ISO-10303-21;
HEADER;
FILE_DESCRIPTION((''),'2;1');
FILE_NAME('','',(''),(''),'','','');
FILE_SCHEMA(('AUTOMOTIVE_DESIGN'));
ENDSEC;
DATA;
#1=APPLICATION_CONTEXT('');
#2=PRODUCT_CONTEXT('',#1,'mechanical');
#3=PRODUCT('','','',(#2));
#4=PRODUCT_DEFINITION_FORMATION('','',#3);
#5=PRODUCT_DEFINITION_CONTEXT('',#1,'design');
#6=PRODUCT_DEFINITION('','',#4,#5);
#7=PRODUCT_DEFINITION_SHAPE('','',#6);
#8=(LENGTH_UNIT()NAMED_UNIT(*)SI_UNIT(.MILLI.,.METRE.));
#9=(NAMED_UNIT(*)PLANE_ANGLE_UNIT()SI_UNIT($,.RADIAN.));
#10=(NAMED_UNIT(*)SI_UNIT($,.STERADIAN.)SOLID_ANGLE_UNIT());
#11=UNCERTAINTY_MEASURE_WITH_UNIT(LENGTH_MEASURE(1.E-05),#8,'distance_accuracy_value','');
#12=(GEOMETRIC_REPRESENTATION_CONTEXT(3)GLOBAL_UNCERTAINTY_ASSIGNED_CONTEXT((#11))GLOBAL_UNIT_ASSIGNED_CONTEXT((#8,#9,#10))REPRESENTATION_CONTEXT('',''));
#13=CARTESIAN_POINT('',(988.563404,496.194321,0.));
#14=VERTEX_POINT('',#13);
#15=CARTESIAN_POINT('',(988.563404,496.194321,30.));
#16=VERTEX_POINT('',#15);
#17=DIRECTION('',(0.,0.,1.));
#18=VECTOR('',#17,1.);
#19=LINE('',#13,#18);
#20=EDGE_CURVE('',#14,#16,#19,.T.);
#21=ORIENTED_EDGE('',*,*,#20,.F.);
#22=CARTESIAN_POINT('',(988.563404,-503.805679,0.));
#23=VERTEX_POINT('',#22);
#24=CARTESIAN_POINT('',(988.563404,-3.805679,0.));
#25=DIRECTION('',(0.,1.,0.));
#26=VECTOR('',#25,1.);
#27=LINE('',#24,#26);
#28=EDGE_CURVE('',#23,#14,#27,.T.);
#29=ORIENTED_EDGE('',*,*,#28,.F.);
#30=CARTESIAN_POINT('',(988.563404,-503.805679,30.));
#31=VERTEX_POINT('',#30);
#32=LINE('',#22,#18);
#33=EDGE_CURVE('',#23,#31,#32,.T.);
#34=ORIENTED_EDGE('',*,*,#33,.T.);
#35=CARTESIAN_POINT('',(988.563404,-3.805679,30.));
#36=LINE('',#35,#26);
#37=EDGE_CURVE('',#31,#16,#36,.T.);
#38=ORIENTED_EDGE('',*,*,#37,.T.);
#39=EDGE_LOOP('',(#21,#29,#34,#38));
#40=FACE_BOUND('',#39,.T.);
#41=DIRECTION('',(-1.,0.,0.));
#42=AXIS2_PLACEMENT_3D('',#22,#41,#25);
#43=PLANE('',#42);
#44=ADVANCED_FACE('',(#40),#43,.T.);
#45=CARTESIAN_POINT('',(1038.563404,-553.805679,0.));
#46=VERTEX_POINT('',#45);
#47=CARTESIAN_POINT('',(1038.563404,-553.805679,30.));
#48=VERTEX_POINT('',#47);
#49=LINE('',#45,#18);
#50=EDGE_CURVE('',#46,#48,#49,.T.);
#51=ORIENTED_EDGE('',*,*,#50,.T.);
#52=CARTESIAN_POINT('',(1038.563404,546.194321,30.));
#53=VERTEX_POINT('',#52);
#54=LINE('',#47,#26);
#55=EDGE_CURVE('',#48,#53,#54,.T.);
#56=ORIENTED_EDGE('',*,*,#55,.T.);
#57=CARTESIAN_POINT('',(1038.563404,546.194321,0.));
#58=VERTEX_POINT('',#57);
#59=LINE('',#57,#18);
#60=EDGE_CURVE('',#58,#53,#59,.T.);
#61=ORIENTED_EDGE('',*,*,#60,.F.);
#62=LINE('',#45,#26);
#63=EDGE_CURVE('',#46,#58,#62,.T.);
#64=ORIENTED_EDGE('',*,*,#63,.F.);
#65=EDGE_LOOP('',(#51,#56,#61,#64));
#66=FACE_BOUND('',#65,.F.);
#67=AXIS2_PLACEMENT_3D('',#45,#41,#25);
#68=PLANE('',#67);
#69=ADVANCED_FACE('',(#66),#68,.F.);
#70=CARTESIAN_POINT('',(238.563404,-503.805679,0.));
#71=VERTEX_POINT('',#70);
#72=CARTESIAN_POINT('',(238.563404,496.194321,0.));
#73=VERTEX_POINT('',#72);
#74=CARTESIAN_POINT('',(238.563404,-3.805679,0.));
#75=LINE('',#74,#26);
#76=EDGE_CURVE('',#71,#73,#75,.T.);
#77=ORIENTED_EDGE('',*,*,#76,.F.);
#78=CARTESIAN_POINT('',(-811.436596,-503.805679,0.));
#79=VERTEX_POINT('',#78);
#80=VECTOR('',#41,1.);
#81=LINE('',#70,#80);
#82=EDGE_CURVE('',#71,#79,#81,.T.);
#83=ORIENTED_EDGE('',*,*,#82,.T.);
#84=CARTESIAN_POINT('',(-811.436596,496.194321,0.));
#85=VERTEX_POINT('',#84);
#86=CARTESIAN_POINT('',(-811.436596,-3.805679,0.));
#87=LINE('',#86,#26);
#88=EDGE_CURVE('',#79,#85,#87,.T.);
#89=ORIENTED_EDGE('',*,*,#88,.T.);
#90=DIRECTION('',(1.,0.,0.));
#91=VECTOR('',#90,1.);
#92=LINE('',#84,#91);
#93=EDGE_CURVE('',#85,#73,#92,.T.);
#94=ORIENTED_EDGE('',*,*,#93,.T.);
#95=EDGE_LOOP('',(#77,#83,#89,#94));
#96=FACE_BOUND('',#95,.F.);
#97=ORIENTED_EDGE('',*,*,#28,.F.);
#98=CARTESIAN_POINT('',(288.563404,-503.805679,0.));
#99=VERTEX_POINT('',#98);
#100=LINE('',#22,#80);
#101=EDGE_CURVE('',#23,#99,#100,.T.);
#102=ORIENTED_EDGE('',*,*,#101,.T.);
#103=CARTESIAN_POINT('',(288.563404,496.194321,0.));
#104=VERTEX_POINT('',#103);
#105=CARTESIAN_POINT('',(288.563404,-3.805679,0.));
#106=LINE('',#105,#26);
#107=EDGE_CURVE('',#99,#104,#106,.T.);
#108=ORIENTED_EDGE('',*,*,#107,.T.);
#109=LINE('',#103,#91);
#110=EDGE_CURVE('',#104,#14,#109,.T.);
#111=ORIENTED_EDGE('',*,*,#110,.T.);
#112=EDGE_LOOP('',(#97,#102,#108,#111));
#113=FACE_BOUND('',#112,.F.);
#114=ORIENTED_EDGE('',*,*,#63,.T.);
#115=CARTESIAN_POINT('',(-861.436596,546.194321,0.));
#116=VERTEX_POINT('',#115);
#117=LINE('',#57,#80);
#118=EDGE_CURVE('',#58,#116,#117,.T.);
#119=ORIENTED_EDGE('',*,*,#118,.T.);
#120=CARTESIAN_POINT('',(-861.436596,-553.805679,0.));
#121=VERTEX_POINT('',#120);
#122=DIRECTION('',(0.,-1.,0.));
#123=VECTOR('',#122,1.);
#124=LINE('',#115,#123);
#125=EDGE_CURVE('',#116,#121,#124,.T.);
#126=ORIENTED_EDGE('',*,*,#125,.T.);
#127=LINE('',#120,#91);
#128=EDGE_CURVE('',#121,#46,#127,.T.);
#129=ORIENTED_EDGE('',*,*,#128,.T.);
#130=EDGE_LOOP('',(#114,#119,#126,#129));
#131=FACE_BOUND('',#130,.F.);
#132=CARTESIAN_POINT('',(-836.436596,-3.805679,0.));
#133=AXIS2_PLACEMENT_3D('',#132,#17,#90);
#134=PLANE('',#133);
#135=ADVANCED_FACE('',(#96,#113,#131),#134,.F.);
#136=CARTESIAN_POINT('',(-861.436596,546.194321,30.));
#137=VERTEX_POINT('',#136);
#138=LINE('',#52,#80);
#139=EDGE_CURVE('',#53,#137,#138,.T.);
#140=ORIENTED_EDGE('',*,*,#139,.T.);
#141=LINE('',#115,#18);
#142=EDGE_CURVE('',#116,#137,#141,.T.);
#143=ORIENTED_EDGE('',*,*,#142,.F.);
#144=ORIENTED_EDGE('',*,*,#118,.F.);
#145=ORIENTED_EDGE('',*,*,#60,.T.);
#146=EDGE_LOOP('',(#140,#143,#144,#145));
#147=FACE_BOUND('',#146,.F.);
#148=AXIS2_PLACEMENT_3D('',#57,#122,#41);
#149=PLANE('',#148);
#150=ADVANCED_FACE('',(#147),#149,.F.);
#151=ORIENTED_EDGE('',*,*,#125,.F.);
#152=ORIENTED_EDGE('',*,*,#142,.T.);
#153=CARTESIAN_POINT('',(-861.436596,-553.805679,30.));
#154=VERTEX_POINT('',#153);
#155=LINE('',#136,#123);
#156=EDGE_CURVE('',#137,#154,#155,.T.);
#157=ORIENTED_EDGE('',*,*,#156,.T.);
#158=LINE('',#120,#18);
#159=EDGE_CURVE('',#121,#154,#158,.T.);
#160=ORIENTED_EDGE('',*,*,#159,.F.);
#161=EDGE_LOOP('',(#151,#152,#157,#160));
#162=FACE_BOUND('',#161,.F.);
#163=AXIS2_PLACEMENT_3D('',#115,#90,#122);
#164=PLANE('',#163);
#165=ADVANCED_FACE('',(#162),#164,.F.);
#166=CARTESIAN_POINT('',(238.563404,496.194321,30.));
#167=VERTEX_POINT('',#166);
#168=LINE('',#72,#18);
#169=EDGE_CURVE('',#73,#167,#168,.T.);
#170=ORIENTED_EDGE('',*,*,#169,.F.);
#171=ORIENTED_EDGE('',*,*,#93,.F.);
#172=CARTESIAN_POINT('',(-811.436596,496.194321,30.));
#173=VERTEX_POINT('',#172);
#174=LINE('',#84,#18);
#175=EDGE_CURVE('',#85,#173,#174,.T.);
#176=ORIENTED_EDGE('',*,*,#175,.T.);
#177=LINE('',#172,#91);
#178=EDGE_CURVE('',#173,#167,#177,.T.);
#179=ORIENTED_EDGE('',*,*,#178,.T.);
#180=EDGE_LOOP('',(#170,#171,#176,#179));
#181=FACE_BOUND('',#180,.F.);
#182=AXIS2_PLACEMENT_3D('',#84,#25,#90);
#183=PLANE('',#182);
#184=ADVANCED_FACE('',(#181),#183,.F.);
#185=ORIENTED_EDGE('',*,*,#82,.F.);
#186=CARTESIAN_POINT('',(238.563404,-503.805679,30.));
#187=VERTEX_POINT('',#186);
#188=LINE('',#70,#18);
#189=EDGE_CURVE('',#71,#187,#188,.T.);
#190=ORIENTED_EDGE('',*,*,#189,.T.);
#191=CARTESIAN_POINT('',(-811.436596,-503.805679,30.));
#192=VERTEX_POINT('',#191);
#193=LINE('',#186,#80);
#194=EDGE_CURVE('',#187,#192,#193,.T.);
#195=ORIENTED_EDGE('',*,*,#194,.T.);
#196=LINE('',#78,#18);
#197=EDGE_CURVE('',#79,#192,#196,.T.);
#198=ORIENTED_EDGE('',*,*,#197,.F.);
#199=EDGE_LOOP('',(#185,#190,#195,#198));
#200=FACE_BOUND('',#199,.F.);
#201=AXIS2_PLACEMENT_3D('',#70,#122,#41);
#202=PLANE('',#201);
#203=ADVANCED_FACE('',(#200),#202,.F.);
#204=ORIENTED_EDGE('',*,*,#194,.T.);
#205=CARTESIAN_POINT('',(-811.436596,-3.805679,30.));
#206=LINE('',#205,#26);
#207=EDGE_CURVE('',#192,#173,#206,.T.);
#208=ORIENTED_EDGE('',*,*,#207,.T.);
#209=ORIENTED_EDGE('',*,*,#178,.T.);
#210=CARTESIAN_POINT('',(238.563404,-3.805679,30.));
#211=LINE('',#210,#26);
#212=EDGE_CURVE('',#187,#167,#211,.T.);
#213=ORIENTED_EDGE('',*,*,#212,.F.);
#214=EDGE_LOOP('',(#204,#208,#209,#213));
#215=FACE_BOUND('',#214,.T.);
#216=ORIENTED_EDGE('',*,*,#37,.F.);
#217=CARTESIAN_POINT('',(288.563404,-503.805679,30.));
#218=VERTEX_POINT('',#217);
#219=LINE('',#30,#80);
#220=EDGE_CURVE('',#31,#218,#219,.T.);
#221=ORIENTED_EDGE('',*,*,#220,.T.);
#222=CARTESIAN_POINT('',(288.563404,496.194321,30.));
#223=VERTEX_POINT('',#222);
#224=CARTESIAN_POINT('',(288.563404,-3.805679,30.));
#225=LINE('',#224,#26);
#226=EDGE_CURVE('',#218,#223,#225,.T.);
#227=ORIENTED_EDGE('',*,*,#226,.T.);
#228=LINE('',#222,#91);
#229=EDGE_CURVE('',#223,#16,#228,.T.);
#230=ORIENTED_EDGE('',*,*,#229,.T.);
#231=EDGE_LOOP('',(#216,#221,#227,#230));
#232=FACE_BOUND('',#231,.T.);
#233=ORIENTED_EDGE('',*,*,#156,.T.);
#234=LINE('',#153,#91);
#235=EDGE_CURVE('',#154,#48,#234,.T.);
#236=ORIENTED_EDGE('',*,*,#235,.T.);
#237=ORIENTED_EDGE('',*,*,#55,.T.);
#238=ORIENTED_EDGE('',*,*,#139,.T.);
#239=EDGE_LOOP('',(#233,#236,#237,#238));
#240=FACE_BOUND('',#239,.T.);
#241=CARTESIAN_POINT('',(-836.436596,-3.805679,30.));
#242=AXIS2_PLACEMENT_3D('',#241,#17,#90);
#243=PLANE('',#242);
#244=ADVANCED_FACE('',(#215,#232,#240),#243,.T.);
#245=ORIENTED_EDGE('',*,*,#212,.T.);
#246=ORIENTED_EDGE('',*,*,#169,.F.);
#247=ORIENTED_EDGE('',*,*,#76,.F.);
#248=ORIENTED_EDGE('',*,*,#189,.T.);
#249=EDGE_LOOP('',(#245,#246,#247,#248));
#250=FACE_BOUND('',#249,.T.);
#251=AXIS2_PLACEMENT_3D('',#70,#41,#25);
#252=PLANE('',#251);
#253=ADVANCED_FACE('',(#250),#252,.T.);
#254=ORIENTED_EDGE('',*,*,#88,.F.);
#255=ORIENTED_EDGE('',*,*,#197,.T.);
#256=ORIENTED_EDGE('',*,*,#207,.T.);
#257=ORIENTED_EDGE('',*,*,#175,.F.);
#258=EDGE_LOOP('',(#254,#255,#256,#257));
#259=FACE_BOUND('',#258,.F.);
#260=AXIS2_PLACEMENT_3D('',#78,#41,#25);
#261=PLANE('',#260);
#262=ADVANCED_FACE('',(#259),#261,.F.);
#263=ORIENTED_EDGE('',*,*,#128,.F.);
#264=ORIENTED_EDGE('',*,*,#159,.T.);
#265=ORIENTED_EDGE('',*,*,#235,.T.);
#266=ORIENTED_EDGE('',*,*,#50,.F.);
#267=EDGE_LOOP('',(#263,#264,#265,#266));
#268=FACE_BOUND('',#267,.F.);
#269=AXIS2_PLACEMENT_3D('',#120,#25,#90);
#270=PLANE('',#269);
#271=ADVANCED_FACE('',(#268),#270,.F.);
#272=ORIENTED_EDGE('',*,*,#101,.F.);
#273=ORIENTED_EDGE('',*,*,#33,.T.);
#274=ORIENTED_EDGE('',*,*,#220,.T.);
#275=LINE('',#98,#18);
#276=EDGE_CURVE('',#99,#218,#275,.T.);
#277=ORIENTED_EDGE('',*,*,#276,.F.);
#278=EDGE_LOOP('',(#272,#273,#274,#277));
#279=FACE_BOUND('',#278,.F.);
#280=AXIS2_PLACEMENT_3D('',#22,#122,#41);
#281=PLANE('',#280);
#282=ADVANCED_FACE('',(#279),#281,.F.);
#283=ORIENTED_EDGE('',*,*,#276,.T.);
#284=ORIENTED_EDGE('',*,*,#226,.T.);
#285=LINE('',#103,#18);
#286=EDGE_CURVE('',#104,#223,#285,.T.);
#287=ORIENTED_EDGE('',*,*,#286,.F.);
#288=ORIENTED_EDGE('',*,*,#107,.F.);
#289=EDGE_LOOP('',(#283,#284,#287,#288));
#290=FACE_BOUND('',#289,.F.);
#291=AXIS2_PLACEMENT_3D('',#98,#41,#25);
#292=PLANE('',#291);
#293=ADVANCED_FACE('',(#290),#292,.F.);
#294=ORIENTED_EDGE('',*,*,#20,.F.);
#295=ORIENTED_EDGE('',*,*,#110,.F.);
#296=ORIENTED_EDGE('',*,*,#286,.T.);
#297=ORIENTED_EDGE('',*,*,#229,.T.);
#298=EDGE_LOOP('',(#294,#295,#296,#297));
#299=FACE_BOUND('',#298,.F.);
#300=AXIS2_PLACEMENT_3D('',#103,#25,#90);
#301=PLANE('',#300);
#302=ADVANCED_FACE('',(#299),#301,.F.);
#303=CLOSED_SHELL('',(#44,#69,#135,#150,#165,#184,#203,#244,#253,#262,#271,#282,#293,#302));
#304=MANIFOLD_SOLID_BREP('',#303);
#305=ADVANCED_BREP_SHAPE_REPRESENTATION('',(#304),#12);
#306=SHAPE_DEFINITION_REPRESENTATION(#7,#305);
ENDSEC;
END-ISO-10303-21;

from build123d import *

# Parameters (mm, degrees)
F0_W     = 50
F0_H     = 1000
F1_DEPTH = 30


with BuildPart() as f1:
    # F0 (on Top) → F1 (new body)
    with BuildSketch(Plane.XY):
        with Locations((-836.436596, -3.805679)):
            Rectangle(F0_W, F0_H)
        with Locations((1013.563404, -3.805679)):
            Rectangle(F0_W, F0_H)
        with Locations((263.563404, -3.805679)):
            Rectangle(F0_W, F0_H)
        Polygon((-811.436596, -503.805679), (-861.436596, -503.805679), (-861.436596, -553.805679), (1038.563404, -553.805679), (1038.563404, -503.805679), (988.563404, -503.805679), (288.563404, -503.805679), (238.563404, -503.805679), align=None)
        Polygon((1038.563404, 546.194321), (-861.436596, 546.194321), (-861.436596, 496.194321), (-811.436596, 496.194321), (238.563404, 496.194321), (288.563404, 496.194321), (988.563404, 496.194321), (1038.563404, 496.194321), align=None)
    extrude(amount=F1_DEPTH)


solid = f1.part
